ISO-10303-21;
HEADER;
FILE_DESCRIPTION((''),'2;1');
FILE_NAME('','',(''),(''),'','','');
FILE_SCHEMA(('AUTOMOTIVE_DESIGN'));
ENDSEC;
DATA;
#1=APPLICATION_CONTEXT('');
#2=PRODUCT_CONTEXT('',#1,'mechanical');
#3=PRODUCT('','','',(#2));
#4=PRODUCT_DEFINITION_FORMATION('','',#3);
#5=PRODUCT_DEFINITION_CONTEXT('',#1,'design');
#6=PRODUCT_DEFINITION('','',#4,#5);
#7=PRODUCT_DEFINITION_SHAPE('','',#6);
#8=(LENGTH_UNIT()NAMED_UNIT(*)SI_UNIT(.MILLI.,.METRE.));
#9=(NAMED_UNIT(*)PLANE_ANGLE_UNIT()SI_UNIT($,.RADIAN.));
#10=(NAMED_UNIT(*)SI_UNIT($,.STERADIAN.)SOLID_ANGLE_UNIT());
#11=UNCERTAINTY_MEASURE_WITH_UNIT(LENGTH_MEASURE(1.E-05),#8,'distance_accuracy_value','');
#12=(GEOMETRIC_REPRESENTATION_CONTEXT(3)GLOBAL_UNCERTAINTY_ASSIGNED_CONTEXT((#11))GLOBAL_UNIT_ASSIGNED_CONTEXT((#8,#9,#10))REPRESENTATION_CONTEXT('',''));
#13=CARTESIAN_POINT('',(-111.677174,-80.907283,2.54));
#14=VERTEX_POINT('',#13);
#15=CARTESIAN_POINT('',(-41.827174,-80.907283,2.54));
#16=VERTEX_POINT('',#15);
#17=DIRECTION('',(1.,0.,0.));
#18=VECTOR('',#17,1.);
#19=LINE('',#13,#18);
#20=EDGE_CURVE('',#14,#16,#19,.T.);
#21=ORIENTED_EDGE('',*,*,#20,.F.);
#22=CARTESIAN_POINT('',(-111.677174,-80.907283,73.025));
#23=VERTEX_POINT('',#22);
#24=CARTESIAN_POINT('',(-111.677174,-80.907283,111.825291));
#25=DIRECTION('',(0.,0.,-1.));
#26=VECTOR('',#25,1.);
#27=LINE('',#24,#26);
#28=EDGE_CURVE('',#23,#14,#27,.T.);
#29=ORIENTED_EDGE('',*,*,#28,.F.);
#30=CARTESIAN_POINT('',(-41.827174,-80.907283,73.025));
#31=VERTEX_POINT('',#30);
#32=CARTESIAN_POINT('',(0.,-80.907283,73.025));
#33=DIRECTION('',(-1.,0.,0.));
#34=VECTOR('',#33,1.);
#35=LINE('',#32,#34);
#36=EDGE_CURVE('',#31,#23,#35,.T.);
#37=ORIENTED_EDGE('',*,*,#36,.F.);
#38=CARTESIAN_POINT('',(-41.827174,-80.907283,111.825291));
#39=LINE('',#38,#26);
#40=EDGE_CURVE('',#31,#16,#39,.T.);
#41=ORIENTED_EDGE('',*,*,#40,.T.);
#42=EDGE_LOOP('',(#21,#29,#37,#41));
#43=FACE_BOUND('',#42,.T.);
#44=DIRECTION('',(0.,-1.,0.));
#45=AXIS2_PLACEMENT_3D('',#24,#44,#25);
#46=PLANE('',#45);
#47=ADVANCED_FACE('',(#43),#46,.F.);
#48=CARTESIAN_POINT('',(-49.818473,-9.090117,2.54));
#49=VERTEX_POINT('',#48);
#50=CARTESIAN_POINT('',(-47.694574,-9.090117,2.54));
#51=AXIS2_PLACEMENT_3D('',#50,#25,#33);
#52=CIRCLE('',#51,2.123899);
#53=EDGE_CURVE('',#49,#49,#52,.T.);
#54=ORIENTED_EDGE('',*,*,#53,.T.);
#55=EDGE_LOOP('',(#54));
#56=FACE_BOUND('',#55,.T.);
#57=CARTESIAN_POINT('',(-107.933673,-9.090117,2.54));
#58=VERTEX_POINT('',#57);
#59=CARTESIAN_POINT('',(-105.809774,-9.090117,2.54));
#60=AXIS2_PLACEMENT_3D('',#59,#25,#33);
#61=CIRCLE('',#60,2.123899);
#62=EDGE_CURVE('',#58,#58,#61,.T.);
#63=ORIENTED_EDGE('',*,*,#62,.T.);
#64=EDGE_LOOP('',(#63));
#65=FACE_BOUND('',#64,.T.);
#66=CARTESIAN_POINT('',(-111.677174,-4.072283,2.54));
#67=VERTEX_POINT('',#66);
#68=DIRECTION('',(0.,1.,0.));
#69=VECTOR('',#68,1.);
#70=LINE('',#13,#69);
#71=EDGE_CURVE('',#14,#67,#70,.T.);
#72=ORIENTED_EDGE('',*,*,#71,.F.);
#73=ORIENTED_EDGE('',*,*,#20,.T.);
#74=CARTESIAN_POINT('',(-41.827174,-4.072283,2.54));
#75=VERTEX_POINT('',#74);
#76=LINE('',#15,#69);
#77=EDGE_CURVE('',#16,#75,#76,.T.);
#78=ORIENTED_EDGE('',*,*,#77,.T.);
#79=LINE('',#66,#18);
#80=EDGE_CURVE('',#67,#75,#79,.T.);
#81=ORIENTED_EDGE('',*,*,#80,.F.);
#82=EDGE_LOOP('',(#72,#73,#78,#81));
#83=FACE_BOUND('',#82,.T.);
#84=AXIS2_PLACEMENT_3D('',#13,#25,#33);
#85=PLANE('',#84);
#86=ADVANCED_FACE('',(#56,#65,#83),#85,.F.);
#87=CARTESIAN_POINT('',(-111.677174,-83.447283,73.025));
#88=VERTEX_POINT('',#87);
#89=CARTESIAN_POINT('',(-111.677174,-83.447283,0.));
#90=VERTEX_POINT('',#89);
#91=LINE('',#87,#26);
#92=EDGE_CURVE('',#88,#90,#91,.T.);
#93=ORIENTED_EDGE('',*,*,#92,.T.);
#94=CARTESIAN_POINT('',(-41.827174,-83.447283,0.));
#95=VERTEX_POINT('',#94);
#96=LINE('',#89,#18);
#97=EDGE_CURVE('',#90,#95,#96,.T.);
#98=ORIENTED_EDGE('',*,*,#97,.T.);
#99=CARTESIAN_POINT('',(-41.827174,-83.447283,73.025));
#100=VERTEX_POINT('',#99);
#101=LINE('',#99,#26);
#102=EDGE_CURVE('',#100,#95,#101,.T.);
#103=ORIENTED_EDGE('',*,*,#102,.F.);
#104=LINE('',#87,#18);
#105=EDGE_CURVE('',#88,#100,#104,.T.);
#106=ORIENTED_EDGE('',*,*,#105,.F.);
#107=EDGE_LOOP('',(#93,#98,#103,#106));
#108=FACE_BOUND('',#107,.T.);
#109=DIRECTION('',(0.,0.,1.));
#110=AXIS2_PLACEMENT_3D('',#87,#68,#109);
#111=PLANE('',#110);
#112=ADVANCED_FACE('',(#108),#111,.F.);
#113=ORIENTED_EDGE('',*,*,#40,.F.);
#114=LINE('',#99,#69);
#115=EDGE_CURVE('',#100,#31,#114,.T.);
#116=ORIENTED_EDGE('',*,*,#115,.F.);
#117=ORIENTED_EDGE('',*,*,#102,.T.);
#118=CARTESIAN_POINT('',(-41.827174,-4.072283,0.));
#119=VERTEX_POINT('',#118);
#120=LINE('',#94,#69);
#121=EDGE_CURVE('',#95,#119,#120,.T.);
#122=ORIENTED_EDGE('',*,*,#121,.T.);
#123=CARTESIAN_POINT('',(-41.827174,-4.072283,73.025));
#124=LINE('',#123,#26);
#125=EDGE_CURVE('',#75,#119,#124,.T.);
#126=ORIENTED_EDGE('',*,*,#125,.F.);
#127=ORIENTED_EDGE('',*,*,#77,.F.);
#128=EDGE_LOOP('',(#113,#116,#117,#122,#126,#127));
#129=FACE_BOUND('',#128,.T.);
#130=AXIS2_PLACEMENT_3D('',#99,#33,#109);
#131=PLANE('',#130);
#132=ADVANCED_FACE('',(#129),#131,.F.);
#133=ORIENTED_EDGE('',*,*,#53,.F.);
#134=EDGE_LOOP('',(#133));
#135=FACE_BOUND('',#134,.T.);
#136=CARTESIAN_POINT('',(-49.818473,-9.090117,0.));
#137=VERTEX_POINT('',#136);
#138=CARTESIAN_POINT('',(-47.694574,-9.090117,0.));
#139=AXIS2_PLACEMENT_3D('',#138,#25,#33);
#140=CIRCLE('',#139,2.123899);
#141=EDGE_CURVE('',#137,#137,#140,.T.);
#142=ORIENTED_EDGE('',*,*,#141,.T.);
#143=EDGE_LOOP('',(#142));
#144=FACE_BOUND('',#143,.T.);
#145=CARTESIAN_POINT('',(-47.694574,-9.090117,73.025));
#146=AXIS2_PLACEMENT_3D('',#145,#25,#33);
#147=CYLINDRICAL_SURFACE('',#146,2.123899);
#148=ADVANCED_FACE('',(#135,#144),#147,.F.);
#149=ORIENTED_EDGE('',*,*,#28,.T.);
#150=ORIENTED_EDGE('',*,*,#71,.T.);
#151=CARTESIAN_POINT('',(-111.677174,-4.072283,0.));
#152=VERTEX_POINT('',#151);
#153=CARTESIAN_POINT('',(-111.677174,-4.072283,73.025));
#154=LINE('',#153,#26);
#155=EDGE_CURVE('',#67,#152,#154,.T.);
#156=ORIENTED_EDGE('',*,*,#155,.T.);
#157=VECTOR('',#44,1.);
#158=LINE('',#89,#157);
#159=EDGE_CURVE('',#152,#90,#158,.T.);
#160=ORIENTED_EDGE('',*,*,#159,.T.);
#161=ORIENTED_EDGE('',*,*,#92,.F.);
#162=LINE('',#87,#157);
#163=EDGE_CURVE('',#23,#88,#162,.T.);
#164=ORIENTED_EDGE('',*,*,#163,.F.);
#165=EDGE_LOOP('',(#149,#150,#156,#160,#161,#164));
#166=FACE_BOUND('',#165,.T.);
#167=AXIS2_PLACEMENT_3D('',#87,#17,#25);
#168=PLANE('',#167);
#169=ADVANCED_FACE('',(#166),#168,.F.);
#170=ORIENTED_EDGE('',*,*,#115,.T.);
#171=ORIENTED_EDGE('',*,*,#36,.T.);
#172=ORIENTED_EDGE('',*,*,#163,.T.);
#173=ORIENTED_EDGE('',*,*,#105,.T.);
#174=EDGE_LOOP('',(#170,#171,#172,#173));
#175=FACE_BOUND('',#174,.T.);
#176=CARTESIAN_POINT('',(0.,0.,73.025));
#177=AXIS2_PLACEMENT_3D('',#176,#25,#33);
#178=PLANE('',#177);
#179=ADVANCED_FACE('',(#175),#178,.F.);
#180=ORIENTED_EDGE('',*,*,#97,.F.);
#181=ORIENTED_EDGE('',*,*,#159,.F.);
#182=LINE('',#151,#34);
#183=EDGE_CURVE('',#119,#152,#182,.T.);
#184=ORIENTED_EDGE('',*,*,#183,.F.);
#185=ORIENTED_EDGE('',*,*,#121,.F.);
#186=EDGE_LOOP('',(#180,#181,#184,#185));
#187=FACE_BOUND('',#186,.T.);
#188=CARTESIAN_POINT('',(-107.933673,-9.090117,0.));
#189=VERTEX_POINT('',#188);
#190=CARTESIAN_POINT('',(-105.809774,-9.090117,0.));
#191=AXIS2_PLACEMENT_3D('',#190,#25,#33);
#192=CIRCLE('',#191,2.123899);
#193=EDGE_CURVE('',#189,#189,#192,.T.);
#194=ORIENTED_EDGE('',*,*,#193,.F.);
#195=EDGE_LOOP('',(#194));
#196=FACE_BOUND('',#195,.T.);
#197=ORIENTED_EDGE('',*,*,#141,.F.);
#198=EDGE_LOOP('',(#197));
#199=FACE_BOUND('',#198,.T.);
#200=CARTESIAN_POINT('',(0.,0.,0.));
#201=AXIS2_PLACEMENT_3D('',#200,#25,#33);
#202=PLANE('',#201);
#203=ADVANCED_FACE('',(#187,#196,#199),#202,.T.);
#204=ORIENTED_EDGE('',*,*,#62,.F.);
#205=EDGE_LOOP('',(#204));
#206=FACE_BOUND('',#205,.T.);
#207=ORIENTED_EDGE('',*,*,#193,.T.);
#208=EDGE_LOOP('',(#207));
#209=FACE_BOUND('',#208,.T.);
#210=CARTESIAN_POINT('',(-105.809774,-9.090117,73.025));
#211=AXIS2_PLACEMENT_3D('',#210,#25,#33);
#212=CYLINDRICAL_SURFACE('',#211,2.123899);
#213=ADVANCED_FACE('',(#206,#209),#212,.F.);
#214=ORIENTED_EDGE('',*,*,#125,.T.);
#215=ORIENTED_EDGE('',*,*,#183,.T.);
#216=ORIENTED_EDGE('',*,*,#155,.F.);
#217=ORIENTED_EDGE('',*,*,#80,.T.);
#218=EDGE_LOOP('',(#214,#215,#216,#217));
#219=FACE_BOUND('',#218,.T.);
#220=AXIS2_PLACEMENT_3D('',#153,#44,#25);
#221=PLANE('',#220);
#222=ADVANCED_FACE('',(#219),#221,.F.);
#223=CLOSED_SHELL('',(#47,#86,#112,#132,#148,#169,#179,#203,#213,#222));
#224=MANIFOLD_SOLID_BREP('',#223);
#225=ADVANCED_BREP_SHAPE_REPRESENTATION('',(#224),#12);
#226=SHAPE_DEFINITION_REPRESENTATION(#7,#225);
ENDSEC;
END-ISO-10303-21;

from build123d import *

# Parameters (mm, degrees)
SKETCH1_W           = 69.85
SKETCH1_H           = 79.375
BOSS_EXTRUDE1_DEPTH = 73.025
SKETCH3_W           = 109.285291197
SKETCH3_H           = 81.999714113
CUT_EXTRUDE1_DEPTH  = 132.05389006
SKETCH4_R           = 2.123898891
CUT_EXTRUDE2_DEPTH  = 158.378177563


with BuildPart() as part:
    # Sketch1 → Boss-Extrude1 (new body)
    with BuildSketch(Plane.XY):
        with Locations((-76.752173913, -43.759782609)):
            Rectangle(SKETCH1_W, SKETCH1_H)
    extrude(amount=BOSS_EXTRUDE1_DEPTH)

    # Sketch3 → Cut-Extrude1 (cut, through all)
    with BuildSketch(Plane(origin=(-41.827173913, 0, 0), x_dir=(0, 0, -1), z_dir=(1, 0, 0))):
        with Locations((-57.182645599, -39.907425553)):
            Rectangle(SKETCH3_W, SKETCH3_H)
    extrude(amount=-CUT_EXTRUDE1_DEPTH, mode=Mode.SUBTRACT)

    # Sketch4 → Cut-Extrude2 (cut, through all)
    with BuildSketch(Plane(origin=(0, 0, 0), x_dir=(-1, 0, 0), z_dir=(0, 0, -1))):
        with Locations((47.694573913, -9.09011677)):
            Circle(SKETCH4_R)
        with Locations((105.809773913, -9.09011677)):
            Circle(SKETCH4_R)
    extrude(amount=-CUT_EXTRUDE2_DEPTH, mode=Mode.SUBTRACT)


solid = part.part
